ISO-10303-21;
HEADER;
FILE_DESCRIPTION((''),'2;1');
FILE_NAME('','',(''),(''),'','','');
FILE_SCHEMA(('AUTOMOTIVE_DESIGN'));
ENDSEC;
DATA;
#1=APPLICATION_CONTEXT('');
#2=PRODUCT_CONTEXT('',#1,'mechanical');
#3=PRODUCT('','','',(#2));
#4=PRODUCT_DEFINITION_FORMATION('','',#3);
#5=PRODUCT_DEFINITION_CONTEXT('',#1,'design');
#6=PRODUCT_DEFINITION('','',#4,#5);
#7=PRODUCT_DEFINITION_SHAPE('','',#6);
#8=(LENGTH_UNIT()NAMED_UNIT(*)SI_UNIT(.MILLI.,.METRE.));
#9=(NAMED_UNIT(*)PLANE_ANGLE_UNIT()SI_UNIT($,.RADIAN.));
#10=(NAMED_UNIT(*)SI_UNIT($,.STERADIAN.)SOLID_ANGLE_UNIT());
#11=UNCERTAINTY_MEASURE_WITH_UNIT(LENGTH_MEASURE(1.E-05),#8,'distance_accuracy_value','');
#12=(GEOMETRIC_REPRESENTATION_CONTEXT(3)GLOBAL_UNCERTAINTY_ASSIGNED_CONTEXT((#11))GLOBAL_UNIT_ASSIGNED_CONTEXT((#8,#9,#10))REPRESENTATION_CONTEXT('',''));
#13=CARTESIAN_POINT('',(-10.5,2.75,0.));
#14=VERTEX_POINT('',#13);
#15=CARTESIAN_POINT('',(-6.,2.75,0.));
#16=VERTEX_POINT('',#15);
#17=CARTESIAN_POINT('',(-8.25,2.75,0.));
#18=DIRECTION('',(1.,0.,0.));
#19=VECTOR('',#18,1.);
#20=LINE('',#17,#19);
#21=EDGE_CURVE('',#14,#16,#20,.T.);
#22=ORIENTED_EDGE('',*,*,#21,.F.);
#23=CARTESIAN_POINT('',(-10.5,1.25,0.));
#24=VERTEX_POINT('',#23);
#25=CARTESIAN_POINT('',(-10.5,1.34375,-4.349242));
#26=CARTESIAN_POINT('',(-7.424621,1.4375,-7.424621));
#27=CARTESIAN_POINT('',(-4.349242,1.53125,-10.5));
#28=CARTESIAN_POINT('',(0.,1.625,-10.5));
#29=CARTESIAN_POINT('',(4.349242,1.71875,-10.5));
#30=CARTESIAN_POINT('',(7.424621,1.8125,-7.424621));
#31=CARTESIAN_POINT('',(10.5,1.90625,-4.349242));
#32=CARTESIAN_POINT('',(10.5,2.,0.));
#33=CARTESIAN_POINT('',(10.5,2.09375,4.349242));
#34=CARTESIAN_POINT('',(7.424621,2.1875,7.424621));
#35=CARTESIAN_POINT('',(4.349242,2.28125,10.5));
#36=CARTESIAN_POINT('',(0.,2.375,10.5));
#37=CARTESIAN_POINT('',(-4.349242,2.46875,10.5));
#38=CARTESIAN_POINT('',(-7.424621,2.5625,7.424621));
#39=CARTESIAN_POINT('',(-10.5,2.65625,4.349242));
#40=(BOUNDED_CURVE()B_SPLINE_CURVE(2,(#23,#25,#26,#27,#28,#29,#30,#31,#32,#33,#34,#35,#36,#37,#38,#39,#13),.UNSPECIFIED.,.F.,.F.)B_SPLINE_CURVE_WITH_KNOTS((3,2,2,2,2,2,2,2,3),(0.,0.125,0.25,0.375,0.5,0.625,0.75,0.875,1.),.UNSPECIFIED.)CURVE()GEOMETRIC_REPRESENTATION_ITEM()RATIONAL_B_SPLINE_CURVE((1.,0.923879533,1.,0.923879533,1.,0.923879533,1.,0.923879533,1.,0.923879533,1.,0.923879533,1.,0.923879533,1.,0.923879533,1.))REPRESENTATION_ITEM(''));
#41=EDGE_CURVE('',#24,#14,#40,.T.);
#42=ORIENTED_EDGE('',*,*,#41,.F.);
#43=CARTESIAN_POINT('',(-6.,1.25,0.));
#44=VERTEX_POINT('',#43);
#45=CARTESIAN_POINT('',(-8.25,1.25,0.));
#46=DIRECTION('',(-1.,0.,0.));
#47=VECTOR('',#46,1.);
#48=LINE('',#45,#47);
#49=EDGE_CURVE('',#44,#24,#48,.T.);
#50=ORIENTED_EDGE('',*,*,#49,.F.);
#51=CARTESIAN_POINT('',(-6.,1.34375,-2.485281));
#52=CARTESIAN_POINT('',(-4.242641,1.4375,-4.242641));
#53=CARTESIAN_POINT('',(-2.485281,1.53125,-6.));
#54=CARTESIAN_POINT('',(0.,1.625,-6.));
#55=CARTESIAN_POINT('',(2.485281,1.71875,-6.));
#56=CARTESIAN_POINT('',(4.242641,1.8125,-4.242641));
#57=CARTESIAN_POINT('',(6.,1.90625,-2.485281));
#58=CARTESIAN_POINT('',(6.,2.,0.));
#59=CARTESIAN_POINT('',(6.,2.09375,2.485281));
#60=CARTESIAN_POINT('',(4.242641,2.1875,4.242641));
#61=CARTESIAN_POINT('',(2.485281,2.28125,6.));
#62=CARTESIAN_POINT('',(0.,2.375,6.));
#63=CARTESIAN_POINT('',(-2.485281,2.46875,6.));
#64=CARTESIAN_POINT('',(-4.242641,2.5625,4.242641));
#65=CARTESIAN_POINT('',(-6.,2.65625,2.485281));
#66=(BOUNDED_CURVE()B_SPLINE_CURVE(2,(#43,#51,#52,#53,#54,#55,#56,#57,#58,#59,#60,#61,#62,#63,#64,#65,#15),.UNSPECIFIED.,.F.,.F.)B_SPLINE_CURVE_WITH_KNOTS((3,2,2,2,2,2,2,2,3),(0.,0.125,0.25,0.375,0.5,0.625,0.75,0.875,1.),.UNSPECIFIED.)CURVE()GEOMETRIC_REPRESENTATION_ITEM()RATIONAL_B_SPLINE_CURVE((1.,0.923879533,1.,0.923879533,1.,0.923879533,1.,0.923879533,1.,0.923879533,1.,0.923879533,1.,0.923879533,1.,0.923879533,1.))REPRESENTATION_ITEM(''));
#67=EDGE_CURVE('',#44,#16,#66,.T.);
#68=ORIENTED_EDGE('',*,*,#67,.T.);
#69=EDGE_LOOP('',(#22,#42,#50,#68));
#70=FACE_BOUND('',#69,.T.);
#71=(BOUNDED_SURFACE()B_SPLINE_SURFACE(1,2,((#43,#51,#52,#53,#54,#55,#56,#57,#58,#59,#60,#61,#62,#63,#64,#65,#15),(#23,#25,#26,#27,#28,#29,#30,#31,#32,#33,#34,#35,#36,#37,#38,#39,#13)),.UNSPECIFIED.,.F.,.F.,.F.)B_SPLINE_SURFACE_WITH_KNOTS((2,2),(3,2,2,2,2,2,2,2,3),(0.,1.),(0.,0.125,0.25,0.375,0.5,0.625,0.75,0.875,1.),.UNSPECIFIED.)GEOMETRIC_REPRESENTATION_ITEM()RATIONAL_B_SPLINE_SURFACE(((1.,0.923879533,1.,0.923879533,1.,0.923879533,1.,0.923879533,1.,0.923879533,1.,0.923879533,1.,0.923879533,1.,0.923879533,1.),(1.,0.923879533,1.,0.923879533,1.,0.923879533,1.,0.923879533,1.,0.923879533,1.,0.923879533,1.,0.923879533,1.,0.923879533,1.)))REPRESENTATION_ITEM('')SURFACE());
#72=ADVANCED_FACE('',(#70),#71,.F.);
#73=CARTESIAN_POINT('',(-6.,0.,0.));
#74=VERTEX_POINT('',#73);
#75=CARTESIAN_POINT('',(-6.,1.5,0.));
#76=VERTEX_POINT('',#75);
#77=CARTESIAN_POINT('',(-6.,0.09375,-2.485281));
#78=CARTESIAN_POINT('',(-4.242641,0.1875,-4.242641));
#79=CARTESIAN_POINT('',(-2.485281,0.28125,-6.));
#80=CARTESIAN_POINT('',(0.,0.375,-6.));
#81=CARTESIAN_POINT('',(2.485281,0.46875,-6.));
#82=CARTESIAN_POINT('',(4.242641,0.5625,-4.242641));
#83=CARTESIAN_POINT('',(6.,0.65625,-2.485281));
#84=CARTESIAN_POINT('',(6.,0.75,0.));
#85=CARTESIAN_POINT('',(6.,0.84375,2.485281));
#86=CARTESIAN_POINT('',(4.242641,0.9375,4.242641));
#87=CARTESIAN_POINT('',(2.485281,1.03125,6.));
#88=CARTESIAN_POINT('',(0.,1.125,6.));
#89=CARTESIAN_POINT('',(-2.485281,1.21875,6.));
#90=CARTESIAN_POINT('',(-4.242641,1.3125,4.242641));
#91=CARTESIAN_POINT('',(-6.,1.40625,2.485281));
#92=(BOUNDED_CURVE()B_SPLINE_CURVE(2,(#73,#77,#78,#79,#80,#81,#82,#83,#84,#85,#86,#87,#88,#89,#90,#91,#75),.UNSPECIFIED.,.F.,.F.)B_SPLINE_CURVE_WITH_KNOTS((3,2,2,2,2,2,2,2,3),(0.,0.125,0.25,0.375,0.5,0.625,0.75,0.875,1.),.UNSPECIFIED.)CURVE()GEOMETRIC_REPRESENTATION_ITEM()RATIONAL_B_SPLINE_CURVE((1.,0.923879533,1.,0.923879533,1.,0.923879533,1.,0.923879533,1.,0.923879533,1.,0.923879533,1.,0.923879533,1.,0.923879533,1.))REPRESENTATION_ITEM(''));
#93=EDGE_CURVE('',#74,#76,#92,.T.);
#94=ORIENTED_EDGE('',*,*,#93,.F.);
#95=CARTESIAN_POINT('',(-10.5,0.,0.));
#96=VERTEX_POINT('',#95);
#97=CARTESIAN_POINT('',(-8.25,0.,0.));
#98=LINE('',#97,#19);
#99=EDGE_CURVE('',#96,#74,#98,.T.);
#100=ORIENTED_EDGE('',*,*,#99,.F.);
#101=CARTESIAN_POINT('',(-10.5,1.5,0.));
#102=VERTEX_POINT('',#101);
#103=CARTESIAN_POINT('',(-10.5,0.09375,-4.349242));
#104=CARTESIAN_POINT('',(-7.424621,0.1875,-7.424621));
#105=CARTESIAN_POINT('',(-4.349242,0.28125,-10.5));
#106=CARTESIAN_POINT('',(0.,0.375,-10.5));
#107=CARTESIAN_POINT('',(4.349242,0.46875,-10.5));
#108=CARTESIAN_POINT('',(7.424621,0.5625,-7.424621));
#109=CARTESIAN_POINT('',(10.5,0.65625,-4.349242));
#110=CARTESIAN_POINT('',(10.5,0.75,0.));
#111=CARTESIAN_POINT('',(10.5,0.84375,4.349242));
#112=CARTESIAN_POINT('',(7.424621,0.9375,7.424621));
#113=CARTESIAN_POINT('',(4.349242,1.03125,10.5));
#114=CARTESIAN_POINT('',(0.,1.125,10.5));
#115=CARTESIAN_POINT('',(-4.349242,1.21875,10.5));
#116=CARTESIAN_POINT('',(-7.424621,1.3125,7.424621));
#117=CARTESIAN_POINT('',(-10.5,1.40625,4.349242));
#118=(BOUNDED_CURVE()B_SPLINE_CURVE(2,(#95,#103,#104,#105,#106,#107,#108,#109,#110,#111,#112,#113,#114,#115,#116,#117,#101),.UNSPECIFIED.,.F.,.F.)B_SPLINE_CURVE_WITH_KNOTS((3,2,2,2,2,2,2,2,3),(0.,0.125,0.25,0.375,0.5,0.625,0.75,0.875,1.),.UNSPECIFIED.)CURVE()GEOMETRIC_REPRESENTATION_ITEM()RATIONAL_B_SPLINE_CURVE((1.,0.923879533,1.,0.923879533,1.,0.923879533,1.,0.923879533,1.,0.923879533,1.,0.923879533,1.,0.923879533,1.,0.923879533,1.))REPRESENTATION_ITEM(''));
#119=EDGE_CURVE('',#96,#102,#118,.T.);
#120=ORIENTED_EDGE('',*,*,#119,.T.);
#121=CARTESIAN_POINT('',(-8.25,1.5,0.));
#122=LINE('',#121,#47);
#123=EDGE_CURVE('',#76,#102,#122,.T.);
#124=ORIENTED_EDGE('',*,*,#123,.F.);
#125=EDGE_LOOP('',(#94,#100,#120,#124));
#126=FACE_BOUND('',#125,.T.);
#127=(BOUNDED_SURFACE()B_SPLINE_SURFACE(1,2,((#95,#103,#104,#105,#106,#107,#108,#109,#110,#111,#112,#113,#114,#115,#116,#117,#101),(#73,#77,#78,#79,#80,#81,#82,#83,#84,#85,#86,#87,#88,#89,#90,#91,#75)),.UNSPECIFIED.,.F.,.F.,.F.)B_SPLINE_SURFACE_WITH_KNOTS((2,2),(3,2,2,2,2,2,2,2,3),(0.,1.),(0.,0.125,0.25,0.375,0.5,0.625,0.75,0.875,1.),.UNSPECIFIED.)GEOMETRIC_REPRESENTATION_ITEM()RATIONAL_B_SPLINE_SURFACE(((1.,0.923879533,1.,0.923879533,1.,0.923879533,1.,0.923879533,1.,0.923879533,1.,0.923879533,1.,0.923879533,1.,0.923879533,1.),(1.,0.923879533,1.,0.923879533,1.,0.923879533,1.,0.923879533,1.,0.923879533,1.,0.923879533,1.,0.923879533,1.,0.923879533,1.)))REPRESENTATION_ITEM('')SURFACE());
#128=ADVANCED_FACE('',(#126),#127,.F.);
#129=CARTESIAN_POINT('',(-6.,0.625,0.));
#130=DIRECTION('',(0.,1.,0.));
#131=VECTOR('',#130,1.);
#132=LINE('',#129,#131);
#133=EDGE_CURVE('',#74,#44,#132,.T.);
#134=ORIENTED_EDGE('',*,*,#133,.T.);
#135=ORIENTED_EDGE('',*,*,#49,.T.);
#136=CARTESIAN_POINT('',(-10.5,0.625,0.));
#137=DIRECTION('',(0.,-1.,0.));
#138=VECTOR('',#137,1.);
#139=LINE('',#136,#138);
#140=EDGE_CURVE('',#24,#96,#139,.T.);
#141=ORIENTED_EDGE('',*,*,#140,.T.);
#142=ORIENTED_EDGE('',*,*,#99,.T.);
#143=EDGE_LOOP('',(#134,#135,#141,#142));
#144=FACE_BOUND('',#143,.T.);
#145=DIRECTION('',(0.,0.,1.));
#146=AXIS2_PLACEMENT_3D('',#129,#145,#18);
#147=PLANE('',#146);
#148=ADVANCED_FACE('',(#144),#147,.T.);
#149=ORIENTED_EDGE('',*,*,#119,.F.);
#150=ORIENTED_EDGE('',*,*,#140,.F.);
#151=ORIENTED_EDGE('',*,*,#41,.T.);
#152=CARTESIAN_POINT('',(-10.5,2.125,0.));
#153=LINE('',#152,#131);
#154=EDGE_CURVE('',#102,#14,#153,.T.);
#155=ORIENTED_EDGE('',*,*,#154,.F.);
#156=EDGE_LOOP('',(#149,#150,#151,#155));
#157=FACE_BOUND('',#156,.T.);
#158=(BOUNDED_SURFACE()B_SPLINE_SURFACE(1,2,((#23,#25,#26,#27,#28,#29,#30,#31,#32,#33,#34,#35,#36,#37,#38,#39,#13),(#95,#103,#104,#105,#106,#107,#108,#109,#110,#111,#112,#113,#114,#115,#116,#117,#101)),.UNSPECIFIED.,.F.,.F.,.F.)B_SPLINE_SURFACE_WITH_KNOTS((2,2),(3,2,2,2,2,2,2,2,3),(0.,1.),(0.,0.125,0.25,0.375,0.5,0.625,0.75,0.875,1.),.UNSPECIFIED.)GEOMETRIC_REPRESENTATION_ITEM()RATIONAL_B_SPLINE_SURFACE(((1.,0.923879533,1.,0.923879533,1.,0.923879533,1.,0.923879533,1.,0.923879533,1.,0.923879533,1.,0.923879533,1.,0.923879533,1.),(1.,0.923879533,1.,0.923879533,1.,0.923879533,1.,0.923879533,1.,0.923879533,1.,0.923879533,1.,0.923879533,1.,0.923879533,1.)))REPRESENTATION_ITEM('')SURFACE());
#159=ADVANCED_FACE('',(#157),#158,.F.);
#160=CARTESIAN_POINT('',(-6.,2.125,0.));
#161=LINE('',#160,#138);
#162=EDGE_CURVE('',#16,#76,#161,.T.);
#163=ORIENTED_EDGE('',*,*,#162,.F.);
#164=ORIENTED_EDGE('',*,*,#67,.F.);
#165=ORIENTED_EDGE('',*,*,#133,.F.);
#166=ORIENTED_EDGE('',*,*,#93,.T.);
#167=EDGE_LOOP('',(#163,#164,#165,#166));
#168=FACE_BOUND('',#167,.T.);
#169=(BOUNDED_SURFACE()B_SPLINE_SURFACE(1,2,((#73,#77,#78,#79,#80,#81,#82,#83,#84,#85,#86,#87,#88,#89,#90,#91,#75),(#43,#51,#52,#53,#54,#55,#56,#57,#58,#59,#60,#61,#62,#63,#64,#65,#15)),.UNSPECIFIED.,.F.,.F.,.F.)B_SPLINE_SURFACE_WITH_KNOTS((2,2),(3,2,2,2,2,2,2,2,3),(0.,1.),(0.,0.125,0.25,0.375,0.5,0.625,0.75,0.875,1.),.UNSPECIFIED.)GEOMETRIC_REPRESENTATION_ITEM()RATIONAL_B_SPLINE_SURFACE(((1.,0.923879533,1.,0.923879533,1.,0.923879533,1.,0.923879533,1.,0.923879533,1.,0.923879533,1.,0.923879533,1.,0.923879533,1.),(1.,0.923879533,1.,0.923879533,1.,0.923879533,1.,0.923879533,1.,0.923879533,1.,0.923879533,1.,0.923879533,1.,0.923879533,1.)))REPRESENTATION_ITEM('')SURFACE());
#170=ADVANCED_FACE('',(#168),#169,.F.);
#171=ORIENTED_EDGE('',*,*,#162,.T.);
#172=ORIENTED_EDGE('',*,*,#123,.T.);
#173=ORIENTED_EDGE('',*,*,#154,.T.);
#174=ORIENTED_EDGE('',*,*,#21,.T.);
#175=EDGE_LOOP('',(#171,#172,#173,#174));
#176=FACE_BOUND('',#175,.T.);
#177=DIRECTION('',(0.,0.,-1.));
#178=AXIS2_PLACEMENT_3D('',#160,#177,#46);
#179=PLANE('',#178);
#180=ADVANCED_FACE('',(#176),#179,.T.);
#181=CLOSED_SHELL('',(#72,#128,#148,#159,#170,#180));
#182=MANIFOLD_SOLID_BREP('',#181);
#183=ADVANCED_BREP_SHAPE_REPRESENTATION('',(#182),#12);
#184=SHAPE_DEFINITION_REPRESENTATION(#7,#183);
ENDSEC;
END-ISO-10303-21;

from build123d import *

# Parameters (mm, degrees)
SWEEP1_PITCH       = 1.5
SWEEP1_HEIGHT      = 1.5
SWEEP1_RADIUS      = 10.5
SWEEP1_START_ANGLE = -90
SKETCH3_W          = 4.5
SKETCH3_H          = 1.25


with BuildPart() as part:
    # Sweep1: sweep along a helix
    with BuildLine() as sweep1_path:
        add(Helix(SWEEP1_PITCH, SWEEP1_HEIGHT, SWEEP1_RADIUS, center=(0, 0, 0), direction=(0, 1, 0), lefthand=True, mode=Mode.PRIVATE).rotate(Axis((0, 0, 0), (0, 1, 0)), SWEEP1_START_ANGLE))
    # Sketch3 → Sweep1 (sweep)
    with BuildSketch(Plane.XY):
        with Locations((-8.25, 0.625)):
            Rectangle(SKETCH3_W, SKETCH3_H)
    sweep(path=sweep1_path.line, is_frenet=True)


solid = part.part
